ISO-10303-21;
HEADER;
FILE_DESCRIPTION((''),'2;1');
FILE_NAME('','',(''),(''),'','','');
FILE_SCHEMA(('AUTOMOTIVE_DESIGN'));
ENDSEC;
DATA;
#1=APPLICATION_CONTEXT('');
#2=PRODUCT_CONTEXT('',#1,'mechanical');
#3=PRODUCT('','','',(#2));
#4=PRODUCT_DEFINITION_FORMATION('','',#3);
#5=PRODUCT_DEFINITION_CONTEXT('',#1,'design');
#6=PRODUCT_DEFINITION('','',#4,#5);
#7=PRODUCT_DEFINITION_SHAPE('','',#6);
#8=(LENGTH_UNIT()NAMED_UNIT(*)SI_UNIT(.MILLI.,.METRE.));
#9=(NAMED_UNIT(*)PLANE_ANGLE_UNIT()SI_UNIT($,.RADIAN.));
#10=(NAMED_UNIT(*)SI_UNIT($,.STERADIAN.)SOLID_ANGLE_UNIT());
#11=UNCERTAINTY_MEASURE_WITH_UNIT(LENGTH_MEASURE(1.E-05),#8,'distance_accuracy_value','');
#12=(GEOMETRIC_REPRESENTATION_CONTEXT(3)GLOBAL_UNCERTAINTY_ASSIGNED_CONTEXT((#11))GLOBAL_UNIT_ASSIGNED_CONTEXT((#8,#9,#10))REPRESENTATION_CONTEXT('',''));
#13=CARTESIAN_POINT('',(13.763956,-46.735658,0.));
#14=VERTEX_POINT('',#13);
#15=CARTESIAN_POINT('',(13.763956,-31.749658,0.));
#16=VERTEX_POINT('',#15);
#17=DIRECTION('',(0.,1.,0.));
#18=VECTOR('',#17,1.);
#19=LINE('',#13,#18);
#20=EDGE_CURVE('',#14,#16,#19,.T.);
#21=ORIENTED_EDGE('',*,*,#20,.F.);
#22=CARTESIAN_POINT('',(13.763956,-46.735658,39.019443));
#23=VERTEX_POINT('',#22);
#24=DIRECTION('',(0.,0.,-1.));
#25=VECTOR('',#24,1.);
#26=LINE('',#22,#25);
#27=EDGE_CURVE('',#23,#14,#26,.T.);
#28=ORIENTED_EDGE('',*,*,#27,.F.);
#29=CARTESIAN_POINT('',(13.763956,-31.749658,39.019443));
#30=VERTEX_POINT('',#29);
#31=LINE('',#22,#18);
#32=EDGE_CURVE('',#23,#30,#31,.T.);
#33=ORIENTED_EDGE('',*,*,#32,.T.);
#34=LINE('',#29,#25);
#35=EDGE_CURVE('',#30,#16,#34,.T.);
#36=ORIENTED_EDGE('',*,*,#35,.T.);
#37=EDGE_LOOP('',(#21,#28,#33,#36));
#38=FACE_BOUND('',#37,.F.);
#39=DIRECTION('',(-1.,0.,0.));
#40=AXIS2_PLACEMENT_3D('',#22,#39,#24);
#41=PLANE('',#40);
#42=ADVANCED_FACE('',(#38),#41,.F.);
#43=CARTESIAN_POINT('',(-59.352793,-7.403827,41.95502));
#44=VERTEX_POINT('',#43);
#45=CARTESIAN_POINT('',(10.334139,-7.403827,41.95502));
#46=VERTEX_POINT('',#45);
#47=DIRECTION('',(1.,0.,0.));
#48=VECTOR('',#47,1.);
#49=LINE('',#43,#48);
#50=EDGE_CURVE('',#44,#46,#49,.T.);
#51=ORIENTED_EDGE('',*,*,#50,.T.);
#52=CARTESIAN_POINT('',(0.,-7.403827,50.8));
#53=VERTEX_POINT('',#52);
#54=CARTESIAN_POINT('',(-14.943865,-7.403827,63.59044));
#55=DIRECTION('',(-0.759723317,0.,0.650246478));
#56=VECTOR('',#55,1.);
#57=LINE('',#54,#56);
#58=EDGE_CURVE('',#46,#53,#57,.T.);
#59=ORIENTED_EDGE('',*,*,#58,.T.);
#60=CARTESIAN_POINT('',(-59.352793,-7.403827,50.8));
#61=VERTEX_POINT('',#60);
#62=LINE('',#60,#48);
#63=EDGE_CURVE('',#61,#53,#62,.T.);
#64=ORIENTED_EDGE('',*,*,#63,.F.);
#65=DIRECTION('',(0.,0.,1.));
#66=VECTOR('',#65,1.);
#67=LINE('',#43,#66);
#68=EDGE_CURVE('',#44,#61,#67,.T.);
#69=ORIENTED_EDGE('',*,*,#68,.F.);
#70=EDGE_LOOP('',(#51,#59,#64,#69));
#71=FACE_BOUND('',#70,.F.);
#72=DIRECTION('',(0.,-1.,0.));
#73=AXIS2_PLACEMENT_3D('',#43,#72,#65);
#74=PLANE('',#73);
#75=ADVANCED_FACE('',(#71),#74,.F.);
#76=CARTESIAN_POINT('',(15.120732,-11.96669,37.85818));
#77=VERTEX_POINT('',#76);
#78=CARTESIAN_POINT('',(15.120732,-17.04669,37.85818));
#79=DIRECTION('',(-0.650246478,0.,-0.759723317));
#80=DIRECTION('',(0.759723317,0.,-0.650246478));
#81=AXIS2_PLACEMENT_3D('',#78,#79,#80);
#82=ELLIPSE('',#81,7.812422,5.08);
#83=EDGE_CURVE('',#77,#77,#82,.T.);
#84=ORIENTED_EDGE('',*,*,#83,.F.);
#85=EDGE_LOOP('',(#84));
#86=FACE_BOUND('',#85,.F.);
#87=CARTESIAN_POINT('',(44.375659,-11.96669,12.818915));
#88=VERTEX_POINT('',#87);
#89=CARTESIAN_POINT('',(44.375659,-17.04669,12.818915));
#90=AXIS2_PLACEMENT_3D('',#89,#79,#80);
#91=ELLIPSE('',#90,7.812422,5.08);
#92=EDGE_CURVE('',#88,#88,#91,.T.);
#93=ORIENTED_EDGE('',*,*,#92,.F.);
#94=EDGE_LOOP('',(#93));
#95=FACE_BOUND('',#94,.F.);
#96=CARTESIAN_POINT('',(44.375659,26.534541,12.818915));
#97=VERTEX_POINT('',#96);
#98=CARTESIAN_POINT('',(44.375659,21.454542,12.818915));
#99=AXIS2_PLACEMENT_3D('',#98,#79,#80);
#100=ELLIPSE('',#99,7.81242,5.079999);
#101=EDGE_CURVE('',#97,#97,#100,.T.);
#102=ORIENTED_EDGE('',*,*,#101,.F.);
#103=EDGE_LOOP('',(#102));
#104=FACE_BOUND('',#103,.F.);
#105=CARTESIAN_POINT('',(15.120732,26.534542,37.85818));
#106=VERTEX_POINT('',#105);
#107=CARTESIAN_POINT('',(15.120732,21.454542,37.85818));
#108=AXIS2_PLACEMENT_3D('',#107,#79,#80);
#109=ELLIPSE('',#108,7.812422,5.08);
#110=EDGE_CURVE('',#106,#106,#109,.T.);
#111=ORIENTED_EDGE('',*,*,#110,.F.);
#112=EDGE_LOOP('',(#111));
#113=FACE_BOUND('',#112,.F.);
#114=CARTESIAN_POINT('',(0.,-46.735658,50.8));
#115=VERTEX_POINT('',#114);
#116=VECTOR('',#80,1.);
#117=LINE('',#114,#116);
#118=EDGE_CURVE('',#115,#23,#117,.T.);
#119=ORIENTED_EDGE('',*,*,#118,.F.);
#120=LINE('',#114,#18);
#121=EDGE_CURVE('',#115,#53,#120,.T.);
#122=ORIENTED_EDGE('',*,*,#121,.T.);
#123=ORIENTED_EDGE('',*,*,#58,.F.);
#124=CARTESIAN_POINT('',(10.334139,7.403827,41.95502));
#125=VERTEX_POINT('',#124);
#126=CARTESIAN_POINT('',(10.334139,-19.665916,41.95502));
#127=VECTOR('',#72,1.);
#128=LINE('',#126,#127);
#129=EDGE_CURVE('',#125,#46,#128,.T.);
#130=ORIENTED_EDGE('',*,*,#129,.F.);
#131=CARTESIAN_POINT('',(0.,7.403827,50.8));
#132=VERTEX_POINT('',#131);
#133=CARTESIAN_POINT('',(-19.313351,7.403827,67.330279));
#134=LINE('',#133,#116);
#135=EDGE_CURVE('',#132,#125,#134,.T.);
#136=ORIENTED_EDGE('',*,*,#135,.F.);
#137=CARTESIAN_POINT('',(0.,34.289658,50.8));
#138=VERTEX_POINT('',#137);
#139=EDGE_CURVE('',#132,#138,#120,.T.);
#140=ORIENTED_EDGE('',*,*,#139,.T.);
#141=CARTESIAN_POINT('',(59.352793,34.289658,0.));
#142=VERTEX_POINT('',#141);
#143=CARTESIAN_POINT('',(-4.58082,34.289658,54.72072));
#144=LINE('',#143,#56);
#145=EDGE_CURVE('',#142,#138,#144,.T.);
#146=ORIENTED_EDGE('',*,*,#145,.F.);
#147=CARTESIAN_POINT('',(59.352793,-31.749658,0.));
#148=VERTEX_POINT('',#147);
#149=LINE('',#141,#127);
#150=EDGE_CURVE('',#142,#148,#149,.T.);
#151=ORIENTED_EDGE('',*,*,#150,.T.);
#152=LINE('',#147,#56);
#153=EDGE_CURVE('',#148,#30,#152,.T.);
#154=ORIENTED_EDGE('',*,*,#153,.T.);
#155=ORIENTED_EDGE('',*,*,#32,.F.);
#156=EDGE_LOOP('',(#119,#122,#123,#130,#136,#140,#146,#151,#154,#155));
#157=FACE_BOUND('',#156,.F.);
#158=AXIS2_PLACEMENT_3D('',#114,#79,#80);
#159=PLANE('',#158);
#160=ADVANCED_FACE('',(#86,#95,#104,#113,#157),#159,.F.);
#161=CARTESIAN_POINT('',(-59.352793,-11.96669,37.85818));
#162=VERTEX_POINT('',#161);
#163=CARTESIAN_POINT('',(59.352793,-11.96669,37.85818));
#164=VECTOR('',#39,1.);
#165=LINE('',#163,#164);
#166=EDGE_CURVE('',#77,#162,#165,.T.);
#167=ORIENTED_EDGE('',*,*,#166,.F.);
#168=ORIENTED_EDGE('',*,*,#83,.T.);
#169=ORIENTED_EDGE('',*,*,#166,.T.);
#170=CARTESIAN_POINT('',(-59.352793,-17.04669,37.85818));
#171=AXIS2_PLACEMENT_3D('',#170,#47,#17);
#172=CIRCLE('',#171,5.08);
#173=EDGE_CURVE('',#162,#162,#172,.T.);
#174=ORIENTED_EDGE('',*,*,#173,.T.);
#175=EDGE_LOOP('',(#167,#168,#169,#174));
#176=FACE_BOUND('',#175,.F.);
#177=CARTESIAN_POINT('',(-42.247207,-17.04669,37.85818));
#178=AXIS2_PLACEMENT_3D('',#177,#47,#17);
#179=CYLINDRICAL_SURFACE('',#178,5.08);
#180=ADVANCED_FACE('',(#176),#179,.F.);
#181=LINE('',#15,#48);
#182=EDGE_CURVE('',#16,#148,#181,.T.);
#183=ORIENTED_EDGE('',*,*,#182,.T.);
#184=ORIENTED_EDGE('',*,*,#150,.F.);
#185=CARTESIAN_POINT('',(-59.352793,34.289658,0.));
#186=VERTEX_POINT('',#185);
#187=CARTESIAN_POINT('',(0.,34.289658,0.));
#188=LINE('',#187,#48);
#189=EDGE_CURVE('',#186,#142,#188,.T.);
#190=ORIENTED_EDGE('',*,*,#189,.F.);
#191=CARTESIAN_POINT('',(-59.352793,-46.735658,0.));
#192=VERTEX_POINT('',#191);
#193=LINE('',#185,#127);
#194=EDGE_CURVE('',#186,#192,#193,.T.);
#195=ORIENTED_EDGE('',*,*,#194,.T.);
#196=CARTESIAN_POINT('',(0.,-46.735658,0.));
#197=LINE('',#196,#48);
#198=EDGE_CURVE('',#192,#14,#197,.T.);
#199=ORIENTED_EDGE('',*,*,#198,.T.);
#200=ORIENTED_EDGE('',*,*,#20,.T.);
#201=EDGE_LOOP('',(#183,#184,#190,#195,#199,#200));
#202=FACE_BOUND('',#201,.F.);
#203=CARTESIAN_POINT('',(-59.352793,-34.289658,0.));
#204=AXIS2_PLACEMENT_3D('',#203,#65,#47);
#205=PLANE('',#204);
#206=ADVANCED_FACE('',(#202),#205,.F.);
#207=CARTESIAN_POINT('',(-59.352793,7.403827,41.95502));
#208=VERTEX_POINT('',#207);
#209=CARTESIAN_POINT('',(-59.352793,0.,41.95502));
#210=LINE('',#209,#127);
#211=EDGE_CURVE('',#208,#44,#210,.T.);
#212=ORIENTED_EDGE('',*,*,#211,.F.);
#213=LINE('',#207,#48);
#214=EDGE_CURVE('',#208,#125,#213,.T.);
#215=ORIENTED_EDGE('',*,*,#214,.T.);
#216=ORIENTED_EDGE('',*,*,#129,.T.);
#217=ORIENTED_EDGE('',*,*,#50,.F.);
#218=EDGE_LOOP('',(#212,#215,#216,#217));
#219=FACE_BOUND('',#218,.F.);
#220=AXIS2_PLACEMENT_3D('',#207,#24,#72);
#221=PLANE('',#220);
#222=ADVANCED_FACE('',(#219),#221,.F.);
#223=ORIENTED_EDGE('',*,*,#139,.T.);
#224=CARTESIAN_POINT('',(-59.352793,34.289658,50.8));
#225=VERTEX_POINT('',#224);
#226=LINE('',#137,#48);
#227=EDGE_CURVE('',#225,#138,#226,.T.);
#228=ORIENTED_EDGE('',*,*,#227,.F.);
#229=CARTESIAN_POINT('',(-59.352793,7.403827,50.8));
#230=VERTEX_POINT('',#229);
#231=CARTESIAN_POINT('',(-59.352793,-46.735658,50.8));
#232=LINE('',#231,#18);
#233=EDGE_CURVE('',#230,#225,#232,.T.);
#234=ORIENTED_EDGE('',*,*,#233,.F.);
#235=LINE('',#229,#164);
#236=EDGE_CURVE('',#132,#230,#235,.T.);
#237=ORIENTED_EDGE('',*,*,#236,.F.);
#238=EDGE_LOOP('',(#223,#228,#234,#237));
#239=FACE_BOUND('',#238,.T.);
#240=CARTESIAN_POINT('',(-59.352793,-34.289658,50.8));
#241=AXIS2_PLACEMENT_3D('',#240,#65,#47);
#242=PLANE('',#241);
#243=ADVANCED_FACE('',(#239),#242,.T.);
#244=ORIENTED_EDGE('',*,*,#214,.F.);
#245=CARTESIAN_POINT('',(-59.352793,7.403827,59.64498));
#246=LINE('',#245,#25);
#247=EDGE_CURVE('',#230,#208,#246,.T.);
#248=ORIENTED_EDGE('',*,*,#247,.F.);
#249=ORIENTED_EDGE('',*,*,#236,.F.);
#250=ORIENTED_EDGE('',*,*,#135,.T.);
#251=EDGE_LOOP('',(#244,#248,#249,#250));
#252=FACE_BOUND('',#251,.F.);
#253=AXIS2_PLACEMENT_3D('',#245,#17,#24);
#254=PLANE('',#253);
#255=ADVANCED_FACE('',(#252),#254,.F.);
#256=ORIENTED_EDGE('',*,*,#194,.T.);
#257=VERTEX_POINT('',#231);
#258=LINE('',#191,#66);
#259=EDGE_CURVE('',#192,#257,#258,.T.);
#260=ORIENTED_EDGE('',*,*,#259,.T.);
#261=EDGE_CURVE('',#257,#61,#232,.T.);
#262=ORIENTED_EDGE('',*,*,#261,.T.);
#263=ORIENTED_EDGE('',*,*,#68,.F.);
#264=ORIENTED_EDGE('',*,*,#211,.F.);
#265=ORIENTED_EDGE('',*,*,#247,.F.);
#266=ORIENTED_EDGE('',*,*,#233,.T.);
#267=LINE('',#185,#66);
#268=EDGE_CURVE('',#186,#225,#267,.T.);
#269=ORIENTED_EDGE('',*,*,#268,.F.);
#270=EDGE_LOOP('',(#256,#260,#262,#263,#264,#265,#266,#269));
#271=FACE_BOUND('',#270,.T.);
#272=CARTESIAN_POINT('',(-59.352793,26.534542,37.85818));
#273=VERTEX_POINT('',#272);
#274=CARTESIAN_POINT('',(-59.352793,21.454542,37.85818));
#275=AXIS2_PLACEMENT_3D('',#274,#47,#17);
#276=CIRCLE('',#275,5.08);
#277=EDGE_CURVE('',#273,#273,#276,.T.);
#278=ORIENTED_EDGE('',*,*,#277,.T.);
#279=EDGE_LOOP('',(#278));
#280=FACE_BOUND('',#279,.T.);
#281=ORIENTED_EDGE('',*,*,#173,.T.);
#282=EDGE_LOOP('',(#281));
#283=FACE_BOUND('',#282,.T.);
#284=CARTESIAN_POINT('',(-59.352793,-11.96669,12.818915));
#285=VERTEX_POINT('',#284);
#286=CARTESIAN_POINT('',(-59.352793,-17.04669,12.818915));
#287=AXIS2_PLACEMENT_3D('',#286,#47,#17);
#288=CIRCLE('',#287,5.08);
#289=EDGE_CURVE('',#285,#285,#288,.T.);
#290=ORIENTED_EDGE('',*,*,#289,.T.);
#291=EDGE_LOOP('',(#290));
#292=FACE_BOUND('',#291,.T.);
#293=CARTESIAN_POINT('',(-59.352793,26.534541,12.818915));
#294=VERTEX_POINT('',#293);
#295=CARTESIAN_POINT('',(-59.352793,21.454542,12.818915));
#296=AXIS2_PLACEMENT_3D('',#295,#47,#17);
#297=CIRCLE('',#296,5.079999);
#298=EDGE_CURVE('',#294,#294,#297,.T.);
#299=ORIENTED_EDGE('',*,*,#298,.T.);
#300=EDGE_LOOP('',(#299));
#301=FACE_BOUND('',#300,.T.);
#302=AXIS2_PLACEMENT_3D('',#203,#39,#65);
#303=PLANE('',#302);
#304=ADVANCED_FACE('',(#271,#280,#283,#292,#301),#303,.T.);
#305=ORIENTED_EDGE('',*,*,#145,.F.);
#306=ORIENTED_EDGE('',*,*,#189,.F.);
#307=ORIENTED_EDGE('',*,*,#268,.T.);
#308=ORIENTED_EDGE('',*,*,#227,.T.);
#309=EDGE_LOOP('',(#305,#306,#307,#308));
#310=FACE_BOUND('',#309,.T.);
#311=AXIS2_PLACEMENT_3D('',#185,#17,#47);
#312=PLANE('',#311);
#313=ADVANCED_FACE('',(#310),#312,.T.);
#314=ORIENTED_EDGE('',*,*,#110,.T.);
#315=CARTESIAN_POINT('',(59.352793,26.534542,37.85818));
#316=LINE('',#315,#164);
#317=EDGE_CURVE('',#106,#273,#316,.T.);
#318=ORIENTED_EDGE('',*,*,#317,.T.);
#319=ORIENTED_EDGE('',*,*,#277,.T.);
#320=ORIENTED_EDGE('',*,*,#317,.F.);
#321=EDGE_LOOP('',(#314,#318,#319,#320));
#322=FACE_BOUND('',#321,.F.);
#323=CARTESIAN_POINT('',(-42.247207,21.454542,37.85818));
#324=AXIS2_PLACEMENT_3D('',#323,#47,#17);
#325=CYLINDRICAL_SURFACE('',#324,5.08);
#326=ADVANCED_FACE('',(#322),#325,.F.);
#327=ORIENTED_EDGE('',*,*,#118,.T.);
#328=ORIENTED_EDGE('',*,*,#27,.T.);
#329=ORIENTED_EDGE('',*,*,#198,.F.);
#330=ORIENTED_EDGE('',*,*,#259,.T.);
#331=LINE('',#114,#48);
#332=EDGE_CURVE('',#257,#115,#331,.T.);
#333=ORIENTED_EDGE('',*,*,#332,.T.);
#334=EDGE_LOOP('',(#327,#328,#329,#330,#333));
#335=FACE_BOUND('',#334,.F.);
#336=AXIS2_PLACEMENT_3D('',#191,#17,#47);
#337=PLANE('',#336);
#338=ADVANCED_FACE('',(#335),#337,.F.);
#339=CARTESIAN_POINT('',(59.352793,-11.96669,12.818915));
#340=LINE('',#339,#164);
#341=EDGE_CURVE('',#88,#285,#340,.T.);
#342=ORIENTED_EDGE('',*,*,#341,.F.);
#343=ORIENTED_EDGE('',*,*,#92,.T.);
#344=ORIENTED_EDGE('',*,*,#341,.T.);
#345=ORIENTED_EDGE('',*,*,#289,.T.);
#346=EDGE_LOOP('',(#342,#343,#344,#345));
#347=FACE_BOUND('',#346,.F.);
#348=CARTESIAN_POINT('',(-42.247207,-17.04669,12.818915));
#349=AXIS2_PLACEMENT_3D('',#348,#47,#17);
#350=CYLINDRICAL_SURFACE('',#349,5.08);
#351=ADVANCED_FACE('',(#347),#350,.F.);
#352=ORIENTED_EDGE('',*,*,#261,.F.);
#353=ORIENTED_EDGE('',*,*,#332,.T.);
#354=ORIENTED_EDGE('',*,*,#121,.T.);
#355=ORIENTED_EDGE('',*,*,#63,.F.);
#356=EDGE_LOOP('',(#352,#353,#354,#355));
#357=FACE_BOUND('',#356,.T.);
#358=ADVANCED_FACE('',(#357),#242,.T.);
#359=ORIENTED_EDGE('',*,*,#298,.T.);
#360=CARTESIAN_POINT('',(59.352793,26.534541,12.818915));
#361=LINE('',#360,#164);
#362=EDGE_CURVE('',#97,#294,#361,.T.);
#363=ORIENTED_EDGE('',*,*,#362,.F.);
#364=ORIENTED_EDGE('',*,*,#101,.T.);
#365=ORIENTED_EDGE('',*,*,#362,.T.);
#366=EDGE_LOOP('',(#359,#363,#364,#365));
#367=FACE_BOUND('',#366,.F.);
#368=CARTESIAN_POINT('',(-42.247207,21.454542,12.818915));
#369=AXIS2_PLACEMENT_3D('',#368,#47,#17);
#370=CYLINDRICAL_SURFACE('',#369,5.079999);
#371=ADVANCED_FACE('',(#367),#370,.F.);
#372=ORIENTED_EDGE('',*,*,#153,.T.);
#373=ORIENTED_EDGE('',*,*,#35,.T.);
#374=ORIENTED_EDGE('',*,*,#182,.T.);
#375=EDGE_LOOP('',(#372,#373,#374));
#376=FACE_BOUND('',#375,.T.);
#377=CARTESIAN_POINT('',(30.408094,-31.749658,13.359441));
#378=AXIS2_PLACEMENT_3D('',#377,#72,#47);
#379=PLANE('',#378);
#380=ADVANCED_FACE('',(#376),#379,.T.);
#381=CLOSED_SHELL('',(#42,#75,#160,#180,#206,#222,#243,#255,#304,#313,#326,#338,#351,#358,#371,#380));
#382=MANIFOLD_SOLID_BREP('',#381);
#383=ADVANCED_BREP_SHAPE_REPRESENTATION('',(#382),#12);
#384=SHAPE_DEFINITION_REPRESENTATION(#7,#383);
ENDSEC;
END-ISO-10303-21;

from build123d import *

# Parameters (mm, degrees)
F0_W      = 118.7055855989
F0_H      = 68.5793161392
F1_DEPTH  = 50.8
F2_R      = 5.08
F2_R_2    = 5.0799985524
F3_DEPTH  = 101.6
F4_DEPTH  = 12.446
F5_DEPTH  = 82.042
F7_DEPTH  = 187.96
F9_DEPTH  = 14.986
F10_W     = 14.8076536134
F10_H     = 8.8449797213
F11_DEPTH = 191.262


with BuildPart() as f1:
    # F0 (on Top) → F1 (new body)
    with BuildSketch(Plane.XY):
        Rectangle(F0_W, F0_H)
    extrude(amount=F1_DEPTH)

    # F2 (on face) → F3 (cut)
    with BuildSketch(Plane.YZ.offset(59.3527927995)):
        with Locations((-17.0466899602, 12.81891503)):
            Circle(F2_R)
        with Locations((21.4545419486, 12.81891503)):
            Circle(F2_R_2)
        with Locations((21.4545419486, 37.8581796117)):
            Circle(F2_R)
        with Locations((-17.0466899602, 37.8581796117)):
            Circle(F2_R)
    extrude(amount=-F3_DEPTH, mode=Mode.SUBTRACT)

    # F4 (add): a face of the model
    f4_faces = [f1.faces().sort_by_distance(p)[0] for p in [
        (0, -34.2896580696, 25.4),
    ]]
    extrude(f4_faces, amount=F4_DEPTH)

    # F5 (cut): faces of the model
    f5_faces = [f1.faces().sort_by_distance(p)[0] for p in [
        (-42.2472072005, -17.0466899602, 37.8581796117),
        (-42.2472072005, 21.4545419486, 12.81891503),
        (-42.2472072005, -17.0466899602, 12.81891503),
        (-42.2472072005, 21.4545419486, 37.8581796117),
    ]]
    extrude(f5_faces, amount=-F5_DEPTH, mode=Mode.SUBTRACT)

    # F6 (on face) → F7 (cut)
    with BuildSketch(Plane.XZ.offset(46.7356580696)):
        Polygon((59.3527927995, 50.8), (0, 50.8), (59.3527927995, 0), align=None)
    extrude(amount=-F7_DEPTH, mode=Mode.SUBTRACT)

    # F8 (on face) → F9 (cut)
    with BuildSketch(Plane.XZ.offset(46.7356580696)):
        Polygon((59.3527927995, 0), (13.7639556508, 39.0194431959), (13.7639556508, 0), align=None)
    extrude(amount=-F9_DEPTH, mode=Mode.SUBTRACT)

    # F10 (on face) → F11 (cut)
    with BuildSketch(Plane(origin=(-59.3527927995, 0, 0), x_dir=(0, -1, 0), z_dir=(-1, 0, 0))):
        with Locations((0, 46.3775101393)):
            Rectangle(F10_W, F10_H)
        with Locations((0, 55.2224898607)):
            Rectangle(F10_W, F10_H)
    extrude(amount=-F11_DEPTH, mode=Mode.SUBTRACT)


solid = f1.part
